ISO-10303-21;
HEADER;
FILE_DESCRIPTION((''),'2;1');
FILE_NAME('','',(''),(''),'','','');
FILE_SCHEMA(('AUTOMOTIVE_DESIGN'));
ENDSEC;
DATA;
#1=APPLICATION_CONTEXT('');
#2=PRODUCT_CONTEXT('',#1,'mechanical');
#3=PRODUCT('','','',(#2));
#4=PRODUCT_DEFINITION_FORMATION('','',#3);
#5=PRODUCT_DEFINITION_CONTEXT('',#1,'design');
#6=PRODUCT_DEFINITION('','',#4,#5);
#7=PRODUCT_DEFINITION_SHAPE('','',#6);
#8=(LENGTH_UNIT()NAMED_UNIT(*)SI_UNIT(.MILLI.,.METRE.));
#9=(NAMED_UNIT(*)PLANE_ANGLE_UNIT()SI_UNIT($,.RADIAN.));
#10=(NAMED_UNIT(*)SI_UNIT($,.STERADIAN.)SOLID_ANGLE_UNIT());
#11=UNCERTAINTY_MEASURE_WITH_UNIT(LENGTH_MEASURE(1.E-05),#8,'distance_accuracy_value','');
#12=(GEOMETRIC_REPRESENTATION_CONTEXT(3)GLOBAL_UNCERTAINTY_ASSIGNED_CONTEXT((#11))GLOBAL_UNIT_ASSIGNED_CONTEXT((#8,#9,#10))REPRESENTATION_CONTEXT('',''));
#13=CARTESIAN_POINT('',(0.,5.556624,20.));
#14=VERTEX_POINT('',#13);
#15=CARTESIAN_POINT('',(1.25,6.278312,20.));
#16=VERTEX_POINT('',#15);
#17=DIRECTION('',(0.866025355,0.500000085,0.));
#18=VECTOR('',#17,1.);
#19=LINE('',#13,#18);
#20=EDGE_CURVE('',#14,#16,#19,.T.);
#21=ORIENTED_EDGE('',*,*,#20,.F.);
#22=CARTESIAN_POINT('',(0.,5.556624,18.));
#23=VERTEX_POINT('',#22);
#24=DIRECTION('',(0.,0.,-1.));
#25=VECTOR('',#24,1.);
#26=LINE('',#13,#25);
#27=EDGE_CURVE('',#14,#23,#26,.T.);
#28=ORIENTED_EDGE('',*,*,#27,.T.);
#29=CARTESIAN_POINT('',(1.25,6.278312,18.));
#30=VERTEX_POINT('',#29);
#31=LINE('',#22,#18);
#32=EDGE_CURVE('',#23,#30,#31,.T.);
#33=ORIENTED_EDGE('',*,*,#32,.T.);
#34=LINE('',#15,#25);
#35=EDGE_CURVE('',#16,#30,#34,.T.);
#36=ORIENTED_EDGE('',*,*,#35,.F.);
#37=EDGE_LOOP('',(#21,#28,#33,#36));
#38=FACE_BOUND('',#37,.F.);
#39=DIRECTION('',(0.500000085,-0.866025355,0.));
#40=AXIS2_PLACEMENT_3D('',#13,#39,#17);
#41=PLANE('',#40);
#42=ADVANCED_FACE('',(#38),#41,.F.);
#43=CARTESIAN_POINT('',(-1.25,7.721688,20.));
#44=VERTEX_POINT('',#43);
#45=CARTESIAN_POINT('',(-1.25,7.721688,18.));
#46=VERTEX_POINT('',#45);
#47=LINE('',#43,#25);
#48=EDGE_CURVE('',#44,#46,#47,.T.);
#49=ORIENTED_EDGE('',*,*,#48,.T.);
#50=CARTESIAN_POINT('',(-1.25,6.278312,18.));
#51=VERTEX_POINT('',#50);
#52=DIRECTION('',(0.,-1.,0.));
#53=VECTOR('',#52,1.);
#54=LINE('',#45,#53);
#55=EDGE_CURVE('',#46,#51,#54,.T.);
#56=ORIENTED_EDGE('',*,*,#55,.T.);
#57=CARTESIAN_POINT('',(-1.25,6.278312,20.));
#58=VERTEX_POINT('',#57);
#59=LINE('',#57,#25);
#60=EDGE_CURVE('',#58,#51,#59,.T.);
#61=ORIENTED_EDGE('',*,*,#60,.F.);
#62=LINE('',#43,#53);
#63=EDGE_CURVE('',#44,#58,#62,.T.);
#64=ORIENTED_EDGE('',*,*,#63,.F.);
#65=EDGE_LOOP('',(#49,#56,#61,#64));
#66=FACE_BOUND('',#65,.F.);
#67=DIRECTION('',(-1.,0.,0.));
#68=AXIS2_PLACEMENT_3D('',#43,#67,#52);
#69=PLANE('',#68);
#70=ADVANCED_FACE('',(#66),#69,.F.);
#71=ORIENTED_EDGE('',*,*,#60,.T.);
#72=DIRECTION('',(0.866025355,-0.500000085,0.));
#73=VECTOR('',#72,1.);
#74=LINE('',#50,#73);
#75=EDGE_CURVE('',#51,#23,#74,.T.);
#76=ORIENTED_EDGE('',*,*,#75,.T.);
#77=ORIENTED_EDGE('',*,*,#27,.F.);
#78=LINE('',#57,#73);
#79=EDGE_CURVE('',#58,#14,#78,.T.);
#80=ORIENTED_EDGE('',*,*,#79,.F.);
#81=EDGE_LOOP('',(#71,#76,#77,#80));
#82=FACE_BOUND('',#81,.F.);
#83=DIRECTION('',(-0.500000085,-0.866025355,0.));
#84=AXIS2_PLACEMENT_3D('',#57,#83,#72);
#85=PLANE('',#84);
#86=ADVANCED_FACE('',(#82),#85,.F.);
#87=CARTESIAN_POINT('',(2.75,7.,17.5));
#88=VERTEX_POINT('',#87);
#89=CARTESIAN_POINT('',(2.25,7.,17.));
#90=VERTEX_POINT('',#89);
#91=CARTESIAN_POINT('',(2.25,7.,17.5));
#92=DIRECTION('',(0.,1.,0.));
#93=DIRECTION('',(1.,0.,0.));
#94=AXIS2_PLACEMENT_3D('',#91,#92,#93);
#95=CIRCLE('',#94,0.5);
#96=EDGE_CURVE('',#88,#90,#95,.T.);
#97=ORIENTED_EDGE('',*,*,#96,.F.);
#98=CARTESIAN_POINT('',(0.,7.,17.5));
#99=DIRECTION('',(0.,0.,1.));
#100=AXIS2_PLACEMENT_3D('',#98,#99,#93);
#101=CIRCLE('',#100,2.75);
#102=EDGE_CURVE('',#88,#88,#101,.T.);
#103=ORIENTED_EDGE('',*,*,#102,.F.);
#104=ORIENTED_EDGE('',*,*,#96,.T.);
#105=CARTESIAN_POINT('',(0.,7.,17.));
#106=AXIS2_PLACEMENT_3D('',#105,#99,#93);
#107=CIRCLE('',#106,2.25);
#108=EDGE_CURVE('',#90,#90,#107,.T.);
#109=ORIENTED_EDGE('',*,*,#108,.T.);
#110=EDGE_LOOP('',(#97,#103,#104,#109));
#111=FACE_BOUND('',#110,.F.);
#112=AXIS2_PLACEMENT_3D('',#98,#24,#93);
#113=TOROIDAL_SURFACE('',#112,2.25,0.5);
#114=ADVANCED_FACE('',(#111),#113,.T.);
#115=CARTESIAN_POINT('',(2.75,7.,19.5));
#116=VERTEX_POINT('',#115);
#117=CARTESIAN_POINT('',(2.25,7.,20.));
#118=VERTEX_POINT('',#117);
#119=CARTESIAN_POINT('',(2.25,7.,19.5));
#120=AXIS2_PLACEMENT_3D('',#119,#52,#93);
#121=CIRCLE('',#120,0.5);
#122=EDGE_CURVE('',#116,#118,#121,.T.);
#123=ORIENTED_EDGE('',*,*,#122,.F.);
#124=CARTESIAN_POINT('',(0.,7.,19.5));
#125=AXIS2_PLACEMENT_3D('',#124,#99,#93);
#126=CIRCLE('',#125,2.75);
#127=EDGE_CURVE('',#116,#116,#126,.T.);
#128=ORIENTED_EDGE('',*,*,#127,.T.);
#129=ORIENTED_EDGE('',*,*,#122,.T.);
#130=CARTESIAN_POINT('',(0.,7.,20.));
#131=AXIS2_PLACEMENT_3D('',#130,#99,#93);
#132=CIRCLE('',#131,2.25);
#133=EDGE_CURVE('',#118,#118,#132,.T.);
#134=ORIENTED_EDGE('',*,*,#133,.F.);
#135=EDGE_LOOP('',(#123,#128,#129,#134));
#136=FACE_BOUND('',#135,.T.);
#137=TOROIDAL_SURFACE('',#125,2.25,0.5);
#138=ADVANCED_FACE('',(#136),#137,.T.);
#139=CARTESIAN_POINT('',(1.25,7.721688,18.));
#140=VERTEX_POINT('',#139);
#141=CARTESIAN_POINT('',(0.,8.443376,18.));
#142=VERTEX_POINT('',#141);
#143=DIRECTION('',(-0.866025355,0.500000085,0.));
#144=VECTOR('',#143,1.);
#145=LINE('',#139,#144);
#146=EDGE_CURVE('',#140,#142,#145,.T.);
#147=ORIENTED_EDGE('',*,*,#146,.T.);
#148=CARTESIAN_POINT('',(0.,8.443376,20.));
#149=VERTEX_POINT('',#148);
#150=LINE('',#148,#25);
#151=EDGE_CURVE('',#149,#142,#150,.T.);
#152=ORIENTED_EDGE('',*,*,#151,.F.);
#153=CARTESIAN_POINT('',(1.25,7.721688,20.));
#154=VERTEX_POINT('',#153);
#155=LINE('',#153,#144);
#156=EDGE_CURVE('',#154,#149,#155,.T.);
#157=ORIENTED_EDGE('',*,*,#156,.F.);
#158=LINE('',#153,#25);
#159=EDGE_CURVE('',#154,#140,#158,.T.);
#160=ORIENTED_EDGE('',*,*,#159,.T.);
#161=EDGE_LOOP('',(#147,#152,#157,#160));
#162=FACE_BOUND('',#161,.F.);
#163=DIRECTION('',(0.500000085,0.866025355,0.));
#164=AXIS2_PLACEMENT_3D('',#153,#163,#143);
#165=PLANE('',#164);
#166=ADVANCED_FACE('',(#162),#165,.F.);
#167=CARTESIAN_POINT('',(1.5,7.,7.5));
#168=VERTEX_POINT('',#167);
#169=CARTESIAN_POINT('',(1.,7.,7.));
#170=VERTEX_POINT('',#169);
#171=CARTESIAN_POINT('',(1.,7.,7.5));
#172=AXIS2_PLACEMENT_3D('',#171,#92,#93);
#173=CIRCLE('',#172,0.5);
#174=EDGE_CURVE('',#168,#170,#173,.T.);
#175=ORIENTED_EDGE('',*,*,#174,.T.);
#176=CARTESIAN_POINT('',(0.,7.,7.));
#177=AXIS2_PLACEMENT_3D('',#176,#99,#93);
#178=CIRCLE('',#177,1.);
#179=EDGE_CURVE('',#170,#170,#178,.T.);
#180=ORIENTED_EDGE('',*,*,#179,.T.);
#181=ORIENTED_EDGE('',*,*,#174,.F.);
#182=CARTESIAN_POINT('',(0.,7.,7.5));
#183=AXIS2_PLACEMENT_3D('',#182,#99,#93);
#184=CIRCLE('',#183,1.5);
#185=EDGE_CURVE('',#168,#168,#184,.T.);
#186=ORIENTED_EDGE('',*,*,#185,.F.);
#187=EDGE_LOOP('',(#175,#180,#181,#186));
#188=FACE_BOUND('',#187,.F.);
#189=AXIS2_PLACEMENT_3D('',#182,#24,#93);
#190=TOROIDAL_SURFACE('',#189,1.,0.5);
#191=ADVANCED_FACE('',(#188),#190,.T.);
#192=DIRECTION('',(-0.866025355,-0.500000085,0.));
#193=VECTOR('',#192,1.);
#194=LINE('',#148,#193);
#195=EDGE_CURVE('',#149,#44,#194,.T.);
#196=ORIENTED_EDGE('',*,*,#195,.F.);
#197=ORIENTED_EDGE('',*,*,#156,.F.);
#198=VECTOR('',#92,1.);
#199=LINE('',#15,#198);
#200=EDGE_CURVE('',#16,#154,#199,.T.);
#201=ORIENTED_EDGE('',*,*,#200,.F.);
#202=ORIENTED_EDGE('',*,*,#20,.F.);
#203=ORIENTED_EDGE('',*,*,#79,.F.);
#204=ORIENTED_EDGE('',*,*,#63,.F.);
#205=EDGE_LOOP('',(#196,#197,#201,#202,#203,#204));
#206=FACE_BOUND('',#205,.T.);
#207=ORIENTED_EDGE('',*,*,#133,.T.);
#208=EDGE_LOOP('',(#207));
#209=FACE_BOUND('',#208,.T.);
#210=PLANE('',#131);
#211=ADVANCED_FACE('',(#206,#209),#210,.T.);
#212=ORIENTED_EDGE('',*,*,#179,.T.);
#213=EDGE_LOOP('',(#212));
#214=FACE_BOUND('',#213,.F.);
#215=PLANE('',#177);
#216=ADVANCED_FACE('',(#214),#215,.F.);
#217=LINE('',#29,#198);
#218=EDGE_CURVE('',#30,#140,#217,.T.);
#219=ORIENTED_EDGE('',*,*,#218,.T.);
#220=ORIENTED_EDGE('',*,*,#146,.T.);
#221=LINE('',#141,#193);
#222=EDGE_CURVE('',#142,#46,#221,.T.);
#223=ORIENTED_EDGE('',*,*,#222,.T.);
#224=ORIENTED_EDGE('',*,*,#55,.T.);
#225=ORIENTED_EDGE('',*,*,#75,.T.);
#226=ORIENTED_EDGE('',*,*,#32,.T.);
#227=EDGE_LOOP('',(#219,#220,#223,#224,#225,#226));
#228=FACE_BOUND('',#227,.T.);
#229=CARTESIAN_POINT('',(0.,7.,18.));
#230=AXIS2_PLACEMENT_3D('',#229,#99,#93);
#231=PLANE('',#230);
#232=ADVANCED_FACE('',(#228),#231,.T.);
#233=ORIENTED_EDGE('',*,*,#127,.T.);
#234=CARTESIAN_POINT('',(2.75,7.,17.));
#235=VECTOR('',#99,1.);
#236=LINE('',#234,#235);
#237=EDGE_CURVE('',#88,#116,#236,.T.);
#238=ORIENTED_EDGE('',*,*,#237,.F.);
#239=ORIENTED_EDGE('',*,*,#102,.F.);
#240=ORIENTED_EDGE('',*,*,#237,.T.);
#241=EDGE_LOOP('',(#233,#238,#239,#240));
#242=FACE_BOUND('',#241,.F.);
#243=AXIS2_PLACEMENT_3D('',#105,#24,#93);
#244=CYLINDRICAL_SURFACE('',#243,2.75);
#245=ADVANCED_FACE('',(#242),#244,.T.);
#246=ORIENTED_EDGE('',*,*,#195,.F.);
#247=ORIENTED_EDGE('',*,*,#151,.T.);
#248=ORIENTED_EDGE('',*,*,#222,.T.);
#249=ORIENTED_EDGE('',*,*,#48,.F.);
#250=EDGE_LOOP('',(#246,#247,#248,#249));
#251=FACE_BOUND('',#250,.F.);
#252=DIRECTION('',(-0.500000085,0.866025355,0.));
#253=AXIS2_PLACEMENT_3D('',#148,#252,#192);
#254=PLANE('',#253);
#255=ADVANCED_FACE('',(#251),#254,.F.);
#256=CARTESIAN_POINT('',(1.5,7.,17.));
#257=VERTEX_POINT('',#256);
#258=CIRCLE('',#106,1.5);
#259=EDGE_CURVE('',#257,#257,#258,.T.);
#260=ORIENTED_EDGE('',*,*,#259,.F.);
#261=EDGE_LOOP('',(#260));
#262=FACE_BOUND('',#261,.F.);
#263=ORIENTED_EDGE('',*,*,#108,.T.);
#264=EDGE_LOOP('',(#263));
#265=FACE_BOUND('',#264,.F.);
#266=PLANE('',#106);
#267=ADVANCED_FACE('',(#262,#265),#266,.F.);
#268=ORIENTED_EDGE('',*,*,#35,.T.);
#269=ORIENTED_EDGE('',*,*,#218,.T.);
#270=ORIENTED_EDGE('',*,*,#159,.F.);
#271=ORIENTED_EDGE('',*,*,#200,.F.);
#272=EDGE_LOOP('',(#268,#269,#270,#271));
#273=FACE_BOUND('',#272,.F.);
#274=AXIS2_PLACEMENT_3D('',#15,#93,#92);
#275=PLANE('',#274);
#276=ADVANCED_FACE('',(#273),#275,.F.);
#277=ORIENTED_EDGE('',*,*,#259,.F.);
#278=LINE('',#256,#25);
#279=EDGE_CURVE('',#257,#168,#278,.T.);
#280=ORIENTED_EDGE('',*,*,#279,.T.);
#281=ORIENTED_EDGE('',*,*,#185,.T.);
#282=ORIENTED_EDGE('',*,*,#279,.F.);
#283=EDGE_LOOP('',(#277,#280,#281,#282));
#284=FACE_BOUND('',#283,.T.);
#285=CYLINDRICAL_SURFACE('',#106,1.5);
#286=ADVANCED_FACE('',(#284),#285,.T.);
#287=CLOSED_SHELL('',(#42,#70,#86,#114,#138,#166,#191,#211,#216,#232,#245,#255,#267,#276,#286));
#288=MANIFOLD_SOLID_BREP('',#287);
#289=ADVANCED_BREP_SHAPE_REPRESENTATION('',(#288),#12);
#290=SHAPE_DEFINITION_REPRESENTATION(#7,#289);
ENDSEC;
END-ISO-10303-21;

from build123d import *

# Parameters (mm, degrees)
SKETCH011_R     = 2.75
PAD006_DEPTH    = 3
POCKET004_DEPTH = 2
SKETCH013_R     = 1.5
PAD007_DEPTH    = 10
FILLET003_R     = 0.5


with BuildPart() as part:
    # Sketch011 → Pad006 (new body)
    with BuildSketch(Plane.XY):
        Circle(SKETCH011_R)
    extrude(amount=PAD006_DEPTH)

    # Sketch012 (on Face3 of Pad006) → Pocket004 (cut)
    with BuildSketch(Plane.XY.offset(3)):
        Polygon((1.25, -0.721688), (1.25, 0.721688), (0, 1.443376), (-1.25, 0.721688), (-1.25, -0.721688), (0, -1.443376), align=None)
    extrude(amount=-POCKET004_DEPTH, mode=Mode.SUBTRACT)

    # Sketch013 → Pad007 (join)
    with BuildSketch(Plane.XY):
        Circle(SKETCH013_R)
    extrude(amount=-PAD007_DEPTH)

    # Fillet003
    fillet003_edges = [part.edges().sort_by_distance(p)[0] for p in [
        (-2.75, 0, 3),
        (-2.75, 0, 0),
        (-1.5, 0, -10),
    ]]
    fillet(fillet003_edges, radius=FILLET003_R)


with BuildPart() as part_1:
    # Body004 placement: moved
    add(part.part.moved(Location((0, -7, 17))))


with BuildPart() as part_2:
    # Clone placement: moved
    add(part_1.part.moved(Location((0, 14, 0))))


solid = part_2.part
